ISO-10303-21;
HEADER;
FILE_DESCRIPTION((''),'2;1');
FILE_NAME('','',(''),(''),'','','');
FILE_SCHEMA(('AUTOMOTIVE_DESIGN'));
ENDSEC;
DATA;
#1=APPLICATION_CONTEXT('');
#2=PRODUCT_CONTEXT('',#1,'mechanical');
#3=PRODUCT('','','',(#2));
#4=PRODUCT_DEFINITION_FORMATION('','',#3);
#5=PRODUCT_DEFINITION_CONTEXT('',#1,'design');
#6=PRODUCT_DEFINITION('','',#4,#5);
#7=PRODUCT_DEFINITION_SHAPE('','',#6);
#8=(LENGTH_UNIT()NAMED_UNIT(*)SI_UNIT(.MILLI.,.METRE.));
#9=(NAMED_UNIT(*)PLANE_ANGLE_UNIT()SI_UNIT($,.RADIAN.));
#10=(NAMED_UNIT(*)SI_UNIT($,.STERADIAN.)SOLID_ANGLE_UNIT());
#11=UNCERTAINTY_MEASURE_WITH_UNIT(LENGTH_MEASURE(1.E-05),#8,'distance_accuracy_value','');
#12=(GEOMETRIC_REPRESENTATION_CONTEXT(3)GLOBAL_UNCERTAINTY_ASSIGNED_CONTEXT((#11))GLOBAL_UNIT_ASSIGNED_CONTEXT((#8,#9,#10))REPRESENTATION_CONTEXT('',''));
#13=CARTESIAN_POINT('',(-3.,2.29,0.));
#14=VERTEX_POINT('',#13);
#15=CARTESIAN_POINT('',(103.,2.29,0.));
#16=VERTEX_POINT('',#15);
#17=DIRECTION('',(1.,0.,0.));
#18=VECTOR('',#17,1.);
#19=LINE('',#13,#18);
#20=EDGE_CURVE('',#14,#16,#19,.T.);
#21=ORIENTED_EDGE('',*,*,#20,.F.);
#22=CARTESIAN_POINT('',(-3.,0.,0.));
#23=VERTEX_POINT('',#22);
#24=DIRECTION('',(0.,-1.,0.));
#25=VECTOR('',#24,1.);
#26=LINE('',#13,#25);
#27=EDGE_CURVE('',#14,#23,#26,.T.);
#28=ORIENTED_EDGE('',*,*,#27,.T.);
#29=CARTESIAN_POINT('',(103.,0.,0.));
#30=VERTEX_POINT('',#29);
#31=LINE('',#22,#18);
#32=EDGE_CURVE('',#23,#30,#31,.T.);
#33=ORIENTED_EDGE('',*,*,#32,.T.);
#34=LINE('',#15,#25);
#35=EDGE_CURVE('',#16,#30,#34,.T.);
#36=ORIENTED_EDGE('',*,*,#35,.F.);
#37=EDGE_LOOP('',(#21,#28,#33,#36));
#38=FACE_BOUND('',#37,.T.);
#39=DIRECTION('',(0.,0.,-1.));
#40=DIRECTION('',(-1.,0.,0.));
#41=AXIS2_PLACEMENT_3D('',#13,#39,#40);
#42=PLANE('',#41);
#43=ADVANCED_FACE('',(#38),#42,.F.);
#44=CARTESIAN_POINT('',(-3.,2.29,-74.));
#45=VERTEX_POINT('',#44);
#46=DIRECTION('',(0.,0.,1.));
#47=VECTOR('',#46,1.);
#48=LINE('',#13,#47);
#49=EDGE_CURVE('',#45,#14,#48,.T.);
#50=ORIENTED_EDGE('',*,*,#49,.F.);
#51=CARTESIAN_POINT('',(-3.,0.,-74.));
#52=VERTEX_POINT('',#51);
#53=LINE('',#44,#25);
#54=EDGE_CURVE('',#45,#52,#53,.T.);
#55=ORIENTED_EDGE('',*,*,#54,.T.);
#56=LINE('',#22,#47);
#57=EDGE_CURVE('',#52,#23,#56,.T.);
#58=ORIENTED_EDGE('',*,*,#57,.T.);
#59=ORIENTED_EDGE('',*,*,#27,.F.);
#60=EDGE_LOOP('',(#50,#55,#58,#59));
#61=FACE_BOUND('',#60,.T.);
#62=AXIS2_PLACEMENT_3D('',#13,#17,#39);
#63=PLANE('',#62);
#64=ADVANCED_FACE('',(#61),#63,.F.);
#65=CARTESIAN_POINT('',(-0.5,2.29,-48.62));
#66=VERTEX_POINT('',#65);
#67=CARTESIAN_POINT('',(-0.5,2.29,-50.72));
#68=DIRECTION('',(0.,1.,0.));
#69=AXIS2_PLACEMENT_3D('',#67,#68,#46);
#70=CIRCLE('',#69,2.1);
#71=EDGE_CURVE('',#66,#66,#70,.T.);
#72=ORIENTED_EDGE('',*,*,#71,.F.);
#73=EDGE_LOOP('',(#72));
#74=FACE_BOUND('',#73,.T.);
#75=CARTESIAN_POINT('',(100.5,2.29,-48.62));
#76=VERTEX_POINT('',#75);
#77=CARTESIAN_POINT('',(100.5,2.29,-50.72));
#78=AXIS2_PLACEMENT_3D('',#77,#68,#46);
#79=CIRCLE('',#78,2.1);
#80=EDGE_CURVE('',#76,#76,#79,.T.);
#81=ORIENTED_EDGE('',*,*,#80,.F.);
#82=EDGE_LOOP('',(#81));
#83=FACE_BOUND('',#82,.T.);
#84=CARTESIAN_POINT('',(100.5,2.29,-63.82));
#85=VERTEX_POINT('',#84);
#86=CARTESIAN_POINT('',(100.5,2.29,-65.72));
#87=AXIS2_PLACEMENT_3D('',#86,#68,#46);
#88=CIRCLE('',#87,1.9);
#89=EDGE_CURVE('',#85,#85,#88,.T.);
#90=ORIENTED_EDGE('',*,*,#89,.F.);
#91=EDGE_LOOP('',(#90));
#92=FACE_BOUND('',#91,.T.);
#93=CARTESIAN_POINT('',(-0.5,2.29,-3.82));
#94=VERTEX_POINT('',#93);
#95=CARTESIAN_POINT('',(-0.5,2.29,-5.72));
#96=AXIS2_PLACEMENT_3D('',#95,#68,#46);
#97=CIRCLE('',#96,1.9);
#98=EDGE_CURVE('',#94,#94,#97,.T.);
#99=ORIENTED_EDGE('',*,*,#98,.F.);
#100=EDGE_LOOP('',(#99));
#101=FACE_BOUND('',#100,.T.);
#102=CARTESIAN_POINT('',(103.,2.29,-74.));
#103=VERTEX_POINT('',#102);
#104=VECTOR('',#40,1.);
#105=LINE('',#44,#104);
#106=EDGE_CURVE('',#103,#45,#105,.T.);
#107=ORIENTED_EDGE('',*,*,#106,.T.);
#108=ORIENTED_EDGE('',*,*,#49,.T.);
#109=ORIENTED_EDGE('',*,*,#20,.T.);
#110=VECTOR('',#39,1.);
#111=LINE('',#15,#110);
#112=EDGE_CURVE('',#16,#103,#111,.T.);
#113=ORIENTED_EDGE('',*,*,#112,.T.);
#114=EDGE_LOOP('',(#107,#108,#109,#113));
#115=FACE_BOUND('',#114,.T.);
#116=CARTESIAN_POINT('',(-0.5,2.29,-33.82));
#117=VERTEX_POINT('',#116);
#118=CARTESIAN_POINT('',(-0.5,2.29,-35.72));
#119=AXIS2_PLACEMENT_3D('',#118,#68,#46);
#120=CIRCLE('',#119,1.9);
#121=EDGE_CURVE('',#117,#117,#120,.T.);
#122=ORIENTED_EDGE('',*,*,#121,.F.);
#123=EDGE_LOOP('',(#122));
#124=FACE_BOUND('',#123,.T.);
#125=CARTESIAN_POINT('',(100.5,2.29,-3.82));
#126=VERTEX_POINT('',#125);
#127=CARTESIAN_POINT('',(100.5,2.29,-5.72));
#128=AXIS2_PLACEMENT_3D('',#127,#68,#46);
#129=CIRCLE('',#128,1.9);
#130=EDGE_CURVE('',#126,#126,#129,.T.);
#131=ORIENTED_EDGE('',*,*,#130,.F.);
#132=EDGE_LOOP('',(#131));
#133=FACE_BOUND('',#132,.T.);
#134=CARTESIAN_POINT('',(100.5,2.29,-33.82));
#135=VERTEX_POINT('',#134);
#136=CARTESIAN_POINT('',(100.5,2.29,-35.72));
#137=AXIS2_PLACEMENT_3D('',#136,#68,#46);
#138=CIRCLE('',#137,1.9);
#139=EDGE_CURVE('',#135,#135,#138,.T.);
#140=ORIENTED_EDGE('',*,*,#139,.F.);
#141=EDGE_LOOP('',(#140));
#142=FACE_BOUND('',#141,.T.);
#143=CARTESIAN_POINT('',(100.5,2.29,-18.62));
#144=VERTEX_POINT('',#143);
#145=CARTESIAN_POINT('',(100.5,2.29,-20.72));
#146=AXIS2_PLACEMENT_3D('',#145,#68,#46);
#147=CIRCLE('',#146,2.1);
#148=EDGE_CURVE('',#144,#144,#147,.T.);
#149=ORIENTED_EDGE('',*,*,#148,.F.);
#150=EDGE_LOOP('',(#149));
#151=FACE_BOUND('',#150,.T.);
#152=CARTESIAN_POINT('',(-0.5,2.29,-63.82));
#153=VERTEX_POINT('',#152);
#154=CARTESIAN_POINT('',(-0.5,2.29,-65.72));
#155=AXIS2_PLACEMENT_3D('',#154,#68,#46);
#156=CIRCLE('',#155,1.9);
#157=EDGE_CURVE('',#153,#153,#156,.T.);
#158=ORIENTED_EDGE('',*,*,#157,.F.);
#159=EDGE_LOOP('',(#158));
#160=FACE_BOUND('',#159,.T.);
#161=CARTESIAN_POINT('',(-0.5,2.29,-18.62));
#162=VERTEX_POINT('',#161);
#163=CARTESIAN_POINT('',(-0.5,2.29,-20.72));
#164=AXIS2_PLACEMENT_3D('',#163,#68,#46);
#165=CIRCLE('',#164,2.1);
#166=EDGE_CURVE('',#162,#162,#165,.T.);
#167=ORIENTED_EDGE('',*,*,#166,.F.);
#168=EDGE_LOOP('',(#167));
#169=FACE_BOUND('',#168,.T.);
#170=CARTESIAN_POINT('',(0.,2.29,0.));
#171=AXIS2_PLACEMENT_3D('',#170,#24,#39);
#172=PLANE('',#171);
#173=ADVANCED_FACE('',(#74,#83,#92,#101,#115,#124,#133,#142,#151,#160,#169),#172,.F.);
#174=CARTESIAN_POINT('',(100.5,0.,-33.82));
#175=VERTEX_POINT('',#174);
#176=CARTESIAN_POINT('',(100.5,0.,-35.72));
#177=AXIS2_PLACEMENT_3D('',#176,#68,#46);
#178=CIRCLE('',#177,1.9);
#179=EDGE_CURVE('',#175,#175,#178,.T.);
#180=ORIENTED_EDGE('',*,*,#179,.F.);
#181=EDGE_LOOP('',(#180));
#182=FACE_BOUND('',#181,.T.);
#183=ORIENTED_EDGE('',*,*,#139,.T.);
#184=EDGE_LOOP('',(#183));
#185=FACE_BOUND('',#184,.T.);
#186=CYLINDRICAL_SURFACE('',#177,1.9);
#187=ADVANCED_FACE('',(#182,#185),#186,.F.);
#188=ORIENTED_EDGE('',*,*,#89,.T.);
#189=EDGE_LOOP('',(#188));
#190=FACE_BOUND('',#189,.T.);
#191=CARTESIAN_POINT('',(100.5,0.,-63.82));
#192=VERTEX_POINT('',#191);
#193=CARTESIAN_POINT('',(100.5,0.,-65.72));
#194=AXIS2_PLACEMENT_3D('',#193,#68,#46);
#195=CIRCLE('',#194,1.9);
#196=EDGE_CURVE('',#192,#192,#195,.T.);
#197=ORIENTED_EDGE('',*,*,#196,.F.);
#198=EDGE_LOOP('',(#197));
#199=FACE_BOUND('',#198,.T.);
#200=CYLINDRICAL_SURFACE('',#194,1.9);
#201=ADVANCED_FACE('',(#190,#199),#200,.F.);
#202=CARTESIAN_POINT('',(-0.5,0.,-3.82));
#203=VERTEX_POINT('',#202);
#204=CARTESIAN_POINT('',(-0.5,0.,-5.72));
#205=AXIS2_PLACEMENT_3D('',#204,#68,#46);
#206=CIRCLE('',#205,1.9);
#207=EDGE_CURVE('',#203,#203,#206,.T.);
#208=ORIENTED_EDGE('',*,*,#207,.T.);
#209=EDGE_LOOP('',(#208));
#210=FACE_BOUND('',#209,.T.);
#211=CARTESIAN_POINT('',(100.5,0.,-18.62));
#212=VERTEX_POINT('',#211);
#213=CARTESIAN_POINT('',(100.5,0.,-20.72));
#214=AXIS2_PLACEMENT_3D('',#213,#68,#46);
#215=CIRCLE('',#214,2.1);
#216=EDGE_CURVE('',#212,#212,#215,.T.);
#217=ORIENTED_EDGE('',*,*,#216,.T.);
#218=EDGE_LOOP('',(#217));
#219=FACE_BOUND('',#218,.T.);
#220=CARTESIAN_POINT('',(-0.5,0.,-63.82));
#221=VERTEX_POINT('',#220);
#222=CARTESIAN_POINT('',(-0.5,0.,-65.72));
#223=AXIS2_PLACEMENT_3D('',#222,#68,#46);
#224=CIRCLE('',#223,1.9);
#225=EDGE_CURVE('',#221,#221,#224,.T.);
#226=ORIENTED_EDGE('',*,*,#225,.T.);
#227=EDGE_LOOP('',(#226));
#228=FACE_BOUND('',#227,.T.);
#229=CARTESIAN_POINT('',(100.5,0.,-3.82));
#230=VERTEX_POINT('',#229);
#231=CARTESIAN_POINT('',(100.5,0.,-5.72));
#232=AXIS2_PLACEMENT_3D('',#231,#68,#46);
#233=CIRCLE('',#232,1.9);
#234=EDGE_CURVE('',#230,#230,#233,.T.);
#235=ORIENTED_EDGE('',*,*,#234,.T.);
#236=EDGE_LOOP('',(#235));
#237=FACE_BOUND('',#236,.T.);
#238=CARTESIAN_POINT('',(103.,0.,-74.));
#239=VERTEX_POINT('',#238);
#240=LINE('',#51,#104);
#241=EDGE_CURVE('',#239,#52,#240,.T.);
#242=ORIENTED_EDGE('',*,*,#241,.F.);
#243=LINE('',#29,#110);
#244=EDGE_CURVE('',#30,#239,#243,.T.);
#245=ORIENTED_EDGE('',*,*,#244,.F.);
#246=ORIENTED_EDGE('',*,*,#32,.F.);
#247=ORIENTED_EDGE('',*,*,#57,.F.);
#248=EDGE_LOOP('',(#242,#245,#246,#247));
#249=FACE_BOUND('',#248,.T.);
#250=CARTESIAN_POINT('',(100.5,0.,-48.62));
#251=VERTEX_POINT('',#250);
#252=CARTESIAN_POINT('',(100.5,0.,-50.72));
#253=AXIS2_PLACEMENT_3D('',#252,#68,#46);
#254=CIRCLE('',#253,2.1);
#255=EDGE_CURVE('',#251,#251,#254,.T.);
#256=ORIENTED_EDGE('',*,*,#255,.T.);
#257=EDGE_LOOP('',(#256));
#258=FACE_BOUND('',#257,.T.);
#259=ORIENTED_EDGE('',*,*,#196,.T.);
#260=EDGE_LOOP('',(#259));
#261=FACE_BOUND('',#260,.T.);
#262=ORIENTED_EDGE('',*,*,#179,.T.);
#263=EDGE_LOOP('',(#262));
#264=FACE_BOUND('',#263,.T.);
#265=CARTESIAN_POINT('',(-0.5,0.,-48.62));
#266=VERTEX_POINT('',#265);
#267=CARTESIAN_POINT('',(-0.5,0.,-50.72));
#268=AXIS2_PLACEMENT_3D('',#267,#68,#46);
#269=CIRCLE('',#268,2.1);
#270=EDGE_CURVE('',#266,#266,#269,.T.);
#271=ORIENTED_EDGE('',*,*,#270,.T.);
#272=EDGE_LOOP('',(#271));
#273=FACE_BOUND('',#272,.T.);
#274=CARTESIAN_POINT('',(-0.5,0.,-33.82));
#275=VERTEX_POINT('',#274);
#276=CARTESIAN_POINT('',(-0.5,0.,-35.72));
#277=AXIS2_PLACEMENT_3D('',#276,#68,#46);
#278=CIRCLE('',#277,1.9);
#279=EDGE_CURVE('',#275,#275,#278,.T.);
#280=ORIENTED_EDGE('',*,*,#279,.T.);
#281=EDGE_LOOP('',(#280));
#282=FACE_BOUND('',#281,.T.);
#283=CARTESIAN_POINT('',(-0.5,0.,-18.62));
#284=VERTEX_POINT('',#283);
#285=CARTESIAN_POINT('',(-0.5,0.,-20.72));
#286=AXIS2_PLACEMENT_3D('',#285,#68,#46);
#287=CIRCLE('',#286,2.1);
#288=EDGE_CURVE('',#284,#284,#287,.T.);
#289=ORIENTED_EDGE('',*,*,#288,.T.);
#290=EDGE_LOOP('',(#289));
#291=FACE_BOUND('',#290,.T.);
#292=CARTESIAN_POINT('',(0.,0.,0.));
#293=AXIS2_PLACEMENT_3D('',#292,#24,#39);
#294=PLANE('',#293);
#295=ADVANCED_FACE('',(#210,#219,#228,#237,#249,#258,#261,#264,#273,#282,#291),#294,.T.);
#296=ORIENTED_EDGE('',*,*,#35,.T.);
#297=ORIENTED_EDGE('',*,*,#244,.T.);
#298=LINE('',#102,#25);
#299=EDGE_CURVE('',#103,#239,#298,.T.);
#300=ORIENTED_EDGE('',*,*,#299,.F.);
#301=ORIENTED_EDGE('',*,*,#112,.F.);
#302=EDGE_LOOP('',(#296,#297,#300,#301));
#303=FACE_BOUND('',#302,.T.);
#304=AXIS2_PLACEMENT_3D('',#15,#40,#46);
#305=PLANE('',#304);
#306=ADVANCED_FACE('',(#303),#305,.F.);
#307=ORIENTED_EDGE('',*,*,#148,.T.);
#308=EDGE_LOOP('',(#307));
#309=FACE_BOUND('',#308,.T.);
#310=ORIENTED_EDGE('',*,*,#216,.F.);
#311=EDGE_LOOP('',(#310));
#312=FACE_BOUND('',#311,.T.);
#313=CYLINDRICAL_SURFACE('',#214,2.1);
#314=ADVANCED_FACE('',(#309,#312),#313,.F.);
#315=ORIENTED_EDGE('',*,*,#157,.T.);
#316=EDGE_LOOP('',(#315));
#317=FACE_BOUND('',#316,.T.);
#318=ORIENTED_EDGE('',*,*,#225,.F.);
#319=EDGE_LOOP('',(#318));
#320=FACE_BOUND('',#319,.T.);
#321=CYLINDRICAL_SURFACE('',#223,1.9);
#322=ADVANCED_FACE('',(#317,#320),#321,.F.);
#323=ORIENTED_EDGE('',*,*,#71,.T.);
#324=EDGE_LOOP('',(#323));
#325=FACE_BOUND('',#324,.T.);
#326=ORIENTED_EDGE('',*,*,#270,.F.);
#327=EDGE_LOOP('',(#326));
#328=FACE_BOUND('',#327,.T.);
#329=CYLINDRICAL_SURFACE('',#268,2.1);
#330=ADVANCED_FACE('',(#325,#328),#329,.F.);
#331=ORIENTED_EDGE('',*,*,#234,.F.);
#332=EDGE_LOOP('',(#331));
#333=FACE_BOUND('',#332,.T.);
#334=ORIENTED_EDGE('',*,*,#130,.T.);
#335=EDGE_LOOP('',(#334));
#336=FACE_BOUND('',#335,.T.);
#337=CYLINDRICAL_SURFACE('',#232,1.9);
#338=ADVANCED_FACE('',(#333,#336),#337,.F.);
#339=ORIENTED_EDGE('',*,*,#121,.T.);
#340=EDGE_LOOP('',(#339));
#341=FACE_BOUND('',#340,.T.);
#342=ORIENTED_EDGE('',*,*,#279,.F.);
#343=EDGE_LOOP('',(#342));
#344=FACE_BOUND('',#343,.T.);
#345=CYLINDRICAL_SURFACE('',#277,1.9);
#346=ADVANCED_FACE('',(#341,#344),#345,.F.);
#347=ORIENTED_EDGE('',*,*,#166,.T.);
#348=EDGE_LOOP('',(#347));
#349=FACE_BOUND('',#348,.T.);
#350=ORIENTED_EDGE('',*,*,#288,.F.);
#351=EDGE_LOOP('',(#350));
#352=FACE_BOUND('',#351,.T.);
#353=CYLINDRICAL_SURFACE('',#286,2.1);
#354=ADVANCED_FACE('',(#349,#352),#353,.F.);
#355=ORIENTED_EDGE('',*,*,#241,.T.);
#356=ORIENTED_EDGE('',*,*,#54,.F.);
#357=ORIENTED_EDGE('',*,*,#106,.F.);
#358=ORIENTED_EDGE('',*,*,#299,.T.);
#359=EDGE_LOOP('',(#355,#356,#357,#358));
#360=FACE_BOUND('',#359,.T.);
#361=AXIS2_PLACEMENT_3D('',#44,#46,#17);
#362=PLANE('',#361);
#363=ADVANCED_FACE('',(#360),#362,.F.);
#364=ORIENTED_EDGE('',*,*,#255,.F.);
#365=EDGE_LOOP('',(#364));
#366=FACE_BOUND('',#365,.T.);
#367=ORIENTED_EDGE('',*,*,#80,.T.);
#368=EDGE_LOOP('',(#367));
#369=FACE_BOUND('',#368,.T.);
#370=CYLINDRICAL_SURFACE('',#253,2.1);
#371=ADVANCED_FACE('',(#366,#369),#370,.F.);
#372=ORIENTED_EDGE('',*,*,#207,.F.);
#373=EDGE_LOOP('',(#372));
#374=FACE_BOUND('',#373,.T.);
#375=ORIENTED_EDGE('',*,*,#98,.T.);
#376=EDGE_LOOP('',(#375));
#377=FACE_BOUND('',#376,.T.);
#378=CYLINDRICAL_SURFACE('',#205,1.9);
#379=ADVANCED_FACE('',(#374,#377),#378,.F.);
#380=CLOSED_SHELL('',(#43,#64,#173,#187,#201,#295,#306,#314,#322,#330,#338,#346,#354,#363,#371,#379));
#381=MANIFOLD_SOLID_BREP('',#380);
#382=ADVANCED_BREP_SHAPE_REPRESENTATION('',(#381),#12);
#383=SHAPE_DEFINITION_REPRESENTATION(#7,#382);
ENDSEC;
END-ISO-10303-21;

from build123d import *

# Parameters (mm, degrees)
SKETCH1_W           = 106
SKETCH1_H           = 74
BOSS_EXTRUDE1_DEPTH = 2.29
SKETCH2_R           = 1.9
SKETCH2_R_2         = 2.1
CUT_EXTRUDE1_DEPTH  = 127.847325947


with BuildPart() as part:
    # Sketch1 → Boss-Extrude1 (new body)
    with BuildSketch(Plane(origin=(0, 0, 0), x_dir=(1, 0, 0), z_dir=(0, 1, 0))):
        with Locations((50, 37)):
            Rectangle(SKETCH1_W, SKETCH1_H)
    extrude(amount=BOSS_EXTRUDE1_DEPTH)

    # Sketch2 → Cut-Extrude1 (cut, through all)
    with BuildSketch(Plane(origin=(0, 2.29, 0), x_dir=(1, 0, 0), z_dir=(0, 1, 0))):
        with Locations(Location((-0.5, 5.72, 0), (0, 0, 270))):
            Circle(SKETCH2_R)
        with Locations(Location((100.5, 5.72, 0), (0, 0, 270))):
            Circle(SKETCH2_R)
        with Locations(Location((100.5, 35.72, 0), (0, 0, 270))):
            Circle(SKETCH2_R)
        with Locations(Location((100.5, 65.72, 0), (0, 0, 270))):
            Circle(SKETCH2_R)
        with Locations(Location((-0.5, 35.72, 0), (0, 0, 270))):
            Circle(SKETCH2_R)
        with Locations(Location((-0.5, 65.72, 0), (0, 0, 270))):
            Circle(SKETCH2_R)
        with Locations(Location((-0.5, 20.72, 0), (0, 0, 270))):
            Circle(SKETCH2_R_2)
        with Locations(Location((100.5, 20.72, 0), (0, 0, 270))):
            Circle(SKETCH2_R_2)
        with Locations(Location((100.5, 50.72, 0), (0, 0, 270))):
            Circle(SKETCH2_R_2)
        with Locations(Location((-0.5, 50.72, 0), (0, 0, 270))):
            Circle(SKETCH2_R_2)
    extrude(amount=-CUT_EXTRUDE1_DEPTH, mode=Mode.SUBTRACT)


solid = part.part
